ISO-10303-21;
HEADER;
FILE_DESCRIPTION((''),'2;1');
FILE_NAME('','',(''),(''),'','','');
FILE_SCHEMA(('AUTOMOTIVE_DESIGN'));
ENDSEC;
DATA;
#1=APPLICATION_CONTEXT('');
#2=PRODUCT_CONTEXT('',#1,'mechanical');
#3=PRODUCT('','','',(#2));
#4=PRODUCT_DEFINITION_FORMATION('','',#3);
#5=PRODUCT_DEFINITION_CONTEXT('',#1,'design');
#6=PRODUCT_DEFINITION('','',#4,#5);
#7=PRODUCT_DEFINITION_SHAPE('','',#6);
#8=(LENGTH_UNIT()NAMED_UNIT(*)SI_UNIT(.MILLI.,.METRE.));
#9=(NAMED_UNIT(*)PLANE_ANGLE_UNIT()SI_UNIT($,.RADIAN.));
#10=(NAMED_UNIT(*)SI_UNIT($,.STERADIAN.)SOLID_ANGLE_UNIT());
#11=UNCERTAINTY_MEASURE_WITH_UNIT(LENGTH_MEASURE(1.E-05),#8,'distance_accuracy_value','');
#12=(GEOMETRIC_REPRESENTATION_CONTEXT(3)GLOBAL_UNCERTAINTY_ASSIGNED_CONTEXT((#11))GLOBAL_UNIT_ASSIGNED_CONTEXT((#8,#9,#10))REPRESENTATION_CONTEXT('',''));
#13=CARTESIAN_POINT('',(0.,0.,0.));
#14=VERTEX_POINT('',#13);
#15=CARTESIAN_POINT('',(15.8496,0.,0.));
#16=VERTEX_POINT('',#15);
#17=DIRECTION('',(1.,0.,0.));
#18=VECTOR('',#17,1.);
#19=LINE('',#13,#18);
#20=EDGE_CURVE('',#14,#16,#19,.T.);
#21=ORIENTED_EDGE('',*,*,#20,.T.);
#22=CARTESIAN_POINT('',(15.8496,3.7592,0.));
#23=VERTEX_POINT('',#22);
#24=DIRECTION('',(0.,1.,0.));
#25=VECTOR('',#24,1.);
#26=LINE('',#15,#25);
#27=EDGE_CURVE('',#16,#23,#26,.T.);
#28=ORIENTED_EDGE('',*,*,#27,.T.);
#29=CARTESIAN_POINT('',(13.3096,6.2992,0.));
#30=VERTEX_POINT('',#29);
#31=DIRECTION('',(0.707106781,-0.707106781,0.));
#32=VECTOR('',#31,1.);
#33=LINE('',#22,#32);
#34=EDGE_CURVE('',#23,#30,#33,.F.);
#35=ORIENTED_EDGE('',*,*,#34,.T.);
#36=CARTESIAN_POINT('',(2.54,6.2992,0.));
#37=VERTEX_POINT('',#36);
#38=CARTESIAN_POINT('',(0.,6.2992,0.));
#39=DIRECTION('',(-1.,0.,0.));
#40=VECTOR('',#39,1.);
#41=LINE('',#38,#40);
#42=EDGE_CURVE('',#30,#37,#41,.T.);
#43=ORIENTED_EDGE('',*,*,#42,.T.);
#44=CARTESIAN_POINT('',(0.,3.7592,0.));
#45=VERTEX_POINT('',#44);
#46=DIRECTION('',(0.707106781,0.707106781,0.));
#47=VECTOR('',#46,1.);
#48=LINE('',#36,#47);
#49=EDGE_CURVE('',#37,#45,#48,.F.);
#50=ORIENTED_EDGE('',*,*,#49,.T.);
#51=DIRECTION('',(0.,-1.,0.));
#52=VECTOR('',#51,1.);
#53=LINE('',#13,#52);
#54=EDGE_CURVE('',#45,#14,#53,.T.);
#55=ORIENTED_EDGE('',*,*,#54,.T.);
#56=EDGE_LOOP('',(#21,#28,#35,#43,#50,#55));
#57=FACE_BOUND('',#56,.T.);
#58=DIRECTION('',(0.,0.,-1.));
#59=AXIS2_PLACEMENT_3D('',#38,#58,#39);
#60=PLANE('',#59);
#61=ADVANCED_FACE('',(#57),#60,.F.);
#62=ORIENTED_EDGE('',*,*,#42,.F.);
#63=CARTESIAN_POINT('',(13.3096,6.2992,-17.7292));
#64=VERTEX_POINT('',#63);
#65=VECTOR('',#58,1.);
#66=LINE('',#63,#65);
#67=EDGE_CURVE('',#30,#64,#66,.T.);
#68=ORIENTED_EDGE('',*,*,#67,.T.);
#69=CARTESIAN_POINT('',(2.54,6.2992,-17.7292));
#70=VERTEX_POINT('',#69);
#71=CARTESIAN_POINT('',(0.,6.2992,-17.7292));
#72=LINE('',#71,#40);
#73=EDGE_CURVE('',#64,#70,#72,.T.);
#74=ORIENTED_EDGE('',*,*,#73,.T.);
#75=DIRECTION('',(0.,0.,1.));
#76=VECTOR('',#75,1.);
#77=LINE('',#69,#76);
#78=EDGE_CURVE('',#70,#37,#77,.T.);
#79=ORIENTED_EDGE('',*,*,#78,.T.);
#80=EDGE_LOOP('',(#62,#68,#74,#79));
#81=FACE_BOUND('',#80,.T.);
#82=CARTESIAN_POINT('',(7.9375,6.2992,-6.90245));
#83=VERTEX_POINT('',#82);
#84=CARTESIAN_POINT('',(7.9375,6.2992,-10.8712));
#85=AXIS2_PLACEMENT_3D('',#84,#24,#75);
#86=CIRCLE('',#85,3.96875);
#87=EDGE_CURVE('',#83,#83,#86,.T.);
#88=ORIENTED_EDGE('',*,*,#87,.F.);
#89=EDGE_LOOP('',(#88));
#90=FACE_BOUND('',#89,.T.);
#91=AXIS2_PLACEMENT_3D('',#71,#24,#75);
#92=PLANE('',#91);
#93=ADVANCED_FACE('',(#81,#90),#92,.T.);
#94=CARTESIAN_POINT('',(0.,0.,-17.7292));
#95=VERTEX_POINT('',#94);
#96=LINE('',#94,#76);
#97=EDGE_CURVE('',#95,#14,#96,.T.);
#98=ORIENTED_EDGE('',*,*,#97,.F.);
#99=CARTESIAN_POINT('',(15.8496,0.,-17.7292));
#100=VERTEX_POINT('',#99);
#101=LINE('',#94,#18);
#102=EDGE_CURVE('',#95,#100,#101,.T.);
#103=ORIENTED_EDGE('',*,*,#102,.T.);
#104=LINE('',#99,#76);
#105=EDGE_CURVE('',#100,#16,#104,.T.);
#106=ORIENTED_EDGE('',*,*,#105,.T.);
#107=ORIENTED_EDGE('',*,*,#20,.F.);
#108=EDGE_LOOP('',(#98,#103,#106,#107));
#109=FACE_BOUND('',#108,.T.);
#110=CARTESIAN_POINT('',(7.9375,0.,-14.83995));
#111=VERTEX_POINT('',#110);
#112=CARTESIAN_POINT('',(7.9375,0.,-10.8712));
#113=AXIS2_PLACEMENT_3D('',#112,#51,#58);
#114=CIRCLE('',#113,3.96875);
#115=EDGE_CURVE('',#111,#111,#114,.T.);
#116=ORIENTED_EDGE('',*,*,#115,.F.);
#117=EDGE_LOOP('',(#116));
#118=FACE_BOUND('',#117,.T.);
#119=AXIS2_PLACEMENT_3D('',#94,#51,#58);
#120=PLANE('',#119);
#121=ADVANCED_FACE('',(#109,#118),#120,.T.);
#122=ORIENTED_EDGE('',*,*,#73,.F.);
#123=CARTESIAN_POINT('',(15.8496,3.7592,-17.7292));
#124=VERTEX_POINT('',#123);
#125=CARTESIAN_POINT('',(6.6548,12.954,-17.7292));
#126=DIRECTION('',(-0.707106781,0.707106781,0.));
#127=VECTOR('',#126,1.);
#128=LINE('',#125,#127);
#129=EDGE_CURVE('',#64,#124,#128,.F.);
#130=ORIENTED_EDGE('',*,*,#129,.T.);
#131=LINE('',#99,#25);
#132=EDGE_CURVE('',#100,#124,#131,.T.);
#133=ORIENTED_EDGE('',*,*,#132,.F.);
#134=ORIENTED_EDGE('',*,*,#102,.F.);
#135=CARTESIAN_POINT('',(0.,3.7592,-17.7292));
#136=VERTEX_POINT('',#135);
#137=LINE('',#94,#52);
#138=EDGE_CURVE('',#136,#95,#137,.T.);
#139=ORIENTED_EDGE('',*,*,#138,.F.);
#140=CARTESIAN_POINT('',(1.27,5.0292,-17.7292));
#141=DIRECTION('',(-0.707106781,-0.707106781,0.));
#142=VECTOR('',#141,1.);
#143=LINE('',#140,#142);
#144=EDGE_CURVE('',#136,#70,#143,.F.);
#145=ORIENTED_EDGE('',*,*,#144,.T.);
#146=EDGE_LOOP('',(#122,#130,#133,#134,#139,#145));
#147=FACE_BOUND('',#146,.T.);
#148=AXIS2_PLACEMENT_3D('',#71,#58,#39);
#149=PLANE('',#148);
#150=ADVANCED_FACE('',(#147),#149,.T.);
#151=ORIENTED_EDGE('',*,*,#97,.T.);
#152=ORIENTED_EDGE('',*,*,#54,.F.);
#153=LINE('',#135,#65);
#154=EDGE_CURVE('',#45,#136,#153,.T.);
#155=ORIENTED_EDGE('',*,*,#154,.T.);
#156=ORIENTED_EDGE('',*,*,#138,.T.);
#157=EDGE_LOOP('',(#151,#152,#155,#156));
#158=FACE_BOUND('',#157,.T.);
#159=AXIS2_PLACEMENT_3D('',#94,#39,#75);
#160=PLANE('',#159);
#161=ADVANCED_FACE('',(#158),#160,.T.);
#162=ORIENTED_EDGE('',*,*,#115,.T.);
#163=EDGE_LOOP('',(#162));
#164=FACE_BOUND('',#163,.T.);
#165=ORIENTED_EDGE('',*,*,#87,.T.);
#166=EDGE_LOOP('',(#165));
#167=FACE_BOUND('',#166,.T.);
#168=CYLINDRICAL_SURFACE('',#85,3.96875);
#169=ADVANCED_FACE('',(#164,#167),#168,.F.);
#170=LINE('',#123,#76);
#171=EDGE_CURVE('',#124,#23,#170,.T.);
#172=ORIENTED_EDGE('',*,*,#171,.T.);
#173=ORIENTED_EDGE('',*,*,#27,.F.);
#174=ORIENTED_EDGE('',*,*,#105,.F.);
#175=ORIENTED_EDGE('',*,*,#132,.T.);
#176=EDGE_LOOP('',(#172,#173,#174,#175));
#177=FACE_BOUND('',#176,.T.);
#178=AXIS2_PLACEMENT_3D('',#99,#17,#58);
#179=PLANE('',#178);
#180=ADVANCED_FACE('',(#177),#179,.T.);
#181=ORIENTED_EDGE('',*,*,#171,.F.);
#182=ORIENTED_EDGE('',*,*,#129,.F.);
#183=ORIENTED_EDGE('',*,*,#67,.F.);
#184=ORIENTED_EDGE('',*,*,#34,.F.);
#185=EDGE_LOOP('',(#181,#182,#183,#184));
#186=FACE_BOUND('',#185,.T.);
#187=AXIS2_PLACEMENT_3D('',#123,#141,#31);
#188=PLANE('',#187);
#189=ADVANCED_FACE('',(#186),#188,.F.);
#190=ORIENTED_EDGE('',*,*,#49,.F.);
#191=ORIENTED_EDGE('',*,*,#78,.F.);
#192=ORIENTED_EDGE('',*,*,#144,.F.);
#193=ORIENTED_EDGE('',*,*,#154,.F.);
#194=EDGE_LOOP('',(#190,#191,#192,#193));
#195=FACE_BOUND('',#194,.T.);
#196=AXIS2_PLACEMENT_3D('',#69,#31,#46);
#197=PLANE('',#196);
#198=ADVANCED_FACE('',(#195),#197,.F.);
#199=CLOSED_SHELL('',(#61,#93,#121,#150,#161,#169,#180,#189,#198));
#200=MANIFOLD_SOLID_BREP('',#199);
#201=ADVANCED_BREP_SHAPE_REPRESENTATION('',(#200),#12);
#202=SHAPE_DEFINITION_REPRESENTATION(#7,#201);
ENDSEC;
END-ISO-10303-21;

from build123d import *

# Parameters (mm, degrees)
SKETCH1_W                          = 15.8496
SKETCH1_H                          = 6.2992
BASE_EXTRUDE_DEPTH                 = 17.7292
F_5_16_18_TAPPED_HOLE1_D           = 6.5278
F_5_16_18_TAPPED_HOLE1_CBORE_D     = 7.9375
F_5_16_18_TAPPED_HOLE1_CBORE_DEPTH = 15.875
CHAMFER1_SIZE                      = 2.54


with BuildPart() as part:
    # Sketch1 → Base-Extrude (new body)
    with BuildSketch(Plane.XY):
        with Locations((7.9248, 3.1496)):
            Rectangle(SKETCH1_W, SKETCH1_H)
    extrude(amount=-BASE_EXTRUDE_DEPTH)

    # 5/16-18 Tapped Hole1 (through all)
    with Locations(Plane(origin=(0, 6.2992, 0), x_dir=(-1, 0, 0), z_dir=(0, 1, 0))):
        with Locations((-7.9375, -10.8712)):
            CounterBoreHole(F_5_16_18_TAPPED_HOLE1_D / 2, F_5_16_18_TAPPED_HOLE1_CBORE_D / 2, F_5_16_18_TAPPED_HOLE1_CBORE_DEPTH)

    # Chamfer1
    chamfer1_edges = [part.edges().sort_by_distance(p)[0] for p in [
        (0, 6.2992, -8.8646),
        (15.8496, 6.2992, -8.8646),
    ]]
    chamfer(chamfer1_edges, length=CHAMFER1_SIZE)


solid = part.part
